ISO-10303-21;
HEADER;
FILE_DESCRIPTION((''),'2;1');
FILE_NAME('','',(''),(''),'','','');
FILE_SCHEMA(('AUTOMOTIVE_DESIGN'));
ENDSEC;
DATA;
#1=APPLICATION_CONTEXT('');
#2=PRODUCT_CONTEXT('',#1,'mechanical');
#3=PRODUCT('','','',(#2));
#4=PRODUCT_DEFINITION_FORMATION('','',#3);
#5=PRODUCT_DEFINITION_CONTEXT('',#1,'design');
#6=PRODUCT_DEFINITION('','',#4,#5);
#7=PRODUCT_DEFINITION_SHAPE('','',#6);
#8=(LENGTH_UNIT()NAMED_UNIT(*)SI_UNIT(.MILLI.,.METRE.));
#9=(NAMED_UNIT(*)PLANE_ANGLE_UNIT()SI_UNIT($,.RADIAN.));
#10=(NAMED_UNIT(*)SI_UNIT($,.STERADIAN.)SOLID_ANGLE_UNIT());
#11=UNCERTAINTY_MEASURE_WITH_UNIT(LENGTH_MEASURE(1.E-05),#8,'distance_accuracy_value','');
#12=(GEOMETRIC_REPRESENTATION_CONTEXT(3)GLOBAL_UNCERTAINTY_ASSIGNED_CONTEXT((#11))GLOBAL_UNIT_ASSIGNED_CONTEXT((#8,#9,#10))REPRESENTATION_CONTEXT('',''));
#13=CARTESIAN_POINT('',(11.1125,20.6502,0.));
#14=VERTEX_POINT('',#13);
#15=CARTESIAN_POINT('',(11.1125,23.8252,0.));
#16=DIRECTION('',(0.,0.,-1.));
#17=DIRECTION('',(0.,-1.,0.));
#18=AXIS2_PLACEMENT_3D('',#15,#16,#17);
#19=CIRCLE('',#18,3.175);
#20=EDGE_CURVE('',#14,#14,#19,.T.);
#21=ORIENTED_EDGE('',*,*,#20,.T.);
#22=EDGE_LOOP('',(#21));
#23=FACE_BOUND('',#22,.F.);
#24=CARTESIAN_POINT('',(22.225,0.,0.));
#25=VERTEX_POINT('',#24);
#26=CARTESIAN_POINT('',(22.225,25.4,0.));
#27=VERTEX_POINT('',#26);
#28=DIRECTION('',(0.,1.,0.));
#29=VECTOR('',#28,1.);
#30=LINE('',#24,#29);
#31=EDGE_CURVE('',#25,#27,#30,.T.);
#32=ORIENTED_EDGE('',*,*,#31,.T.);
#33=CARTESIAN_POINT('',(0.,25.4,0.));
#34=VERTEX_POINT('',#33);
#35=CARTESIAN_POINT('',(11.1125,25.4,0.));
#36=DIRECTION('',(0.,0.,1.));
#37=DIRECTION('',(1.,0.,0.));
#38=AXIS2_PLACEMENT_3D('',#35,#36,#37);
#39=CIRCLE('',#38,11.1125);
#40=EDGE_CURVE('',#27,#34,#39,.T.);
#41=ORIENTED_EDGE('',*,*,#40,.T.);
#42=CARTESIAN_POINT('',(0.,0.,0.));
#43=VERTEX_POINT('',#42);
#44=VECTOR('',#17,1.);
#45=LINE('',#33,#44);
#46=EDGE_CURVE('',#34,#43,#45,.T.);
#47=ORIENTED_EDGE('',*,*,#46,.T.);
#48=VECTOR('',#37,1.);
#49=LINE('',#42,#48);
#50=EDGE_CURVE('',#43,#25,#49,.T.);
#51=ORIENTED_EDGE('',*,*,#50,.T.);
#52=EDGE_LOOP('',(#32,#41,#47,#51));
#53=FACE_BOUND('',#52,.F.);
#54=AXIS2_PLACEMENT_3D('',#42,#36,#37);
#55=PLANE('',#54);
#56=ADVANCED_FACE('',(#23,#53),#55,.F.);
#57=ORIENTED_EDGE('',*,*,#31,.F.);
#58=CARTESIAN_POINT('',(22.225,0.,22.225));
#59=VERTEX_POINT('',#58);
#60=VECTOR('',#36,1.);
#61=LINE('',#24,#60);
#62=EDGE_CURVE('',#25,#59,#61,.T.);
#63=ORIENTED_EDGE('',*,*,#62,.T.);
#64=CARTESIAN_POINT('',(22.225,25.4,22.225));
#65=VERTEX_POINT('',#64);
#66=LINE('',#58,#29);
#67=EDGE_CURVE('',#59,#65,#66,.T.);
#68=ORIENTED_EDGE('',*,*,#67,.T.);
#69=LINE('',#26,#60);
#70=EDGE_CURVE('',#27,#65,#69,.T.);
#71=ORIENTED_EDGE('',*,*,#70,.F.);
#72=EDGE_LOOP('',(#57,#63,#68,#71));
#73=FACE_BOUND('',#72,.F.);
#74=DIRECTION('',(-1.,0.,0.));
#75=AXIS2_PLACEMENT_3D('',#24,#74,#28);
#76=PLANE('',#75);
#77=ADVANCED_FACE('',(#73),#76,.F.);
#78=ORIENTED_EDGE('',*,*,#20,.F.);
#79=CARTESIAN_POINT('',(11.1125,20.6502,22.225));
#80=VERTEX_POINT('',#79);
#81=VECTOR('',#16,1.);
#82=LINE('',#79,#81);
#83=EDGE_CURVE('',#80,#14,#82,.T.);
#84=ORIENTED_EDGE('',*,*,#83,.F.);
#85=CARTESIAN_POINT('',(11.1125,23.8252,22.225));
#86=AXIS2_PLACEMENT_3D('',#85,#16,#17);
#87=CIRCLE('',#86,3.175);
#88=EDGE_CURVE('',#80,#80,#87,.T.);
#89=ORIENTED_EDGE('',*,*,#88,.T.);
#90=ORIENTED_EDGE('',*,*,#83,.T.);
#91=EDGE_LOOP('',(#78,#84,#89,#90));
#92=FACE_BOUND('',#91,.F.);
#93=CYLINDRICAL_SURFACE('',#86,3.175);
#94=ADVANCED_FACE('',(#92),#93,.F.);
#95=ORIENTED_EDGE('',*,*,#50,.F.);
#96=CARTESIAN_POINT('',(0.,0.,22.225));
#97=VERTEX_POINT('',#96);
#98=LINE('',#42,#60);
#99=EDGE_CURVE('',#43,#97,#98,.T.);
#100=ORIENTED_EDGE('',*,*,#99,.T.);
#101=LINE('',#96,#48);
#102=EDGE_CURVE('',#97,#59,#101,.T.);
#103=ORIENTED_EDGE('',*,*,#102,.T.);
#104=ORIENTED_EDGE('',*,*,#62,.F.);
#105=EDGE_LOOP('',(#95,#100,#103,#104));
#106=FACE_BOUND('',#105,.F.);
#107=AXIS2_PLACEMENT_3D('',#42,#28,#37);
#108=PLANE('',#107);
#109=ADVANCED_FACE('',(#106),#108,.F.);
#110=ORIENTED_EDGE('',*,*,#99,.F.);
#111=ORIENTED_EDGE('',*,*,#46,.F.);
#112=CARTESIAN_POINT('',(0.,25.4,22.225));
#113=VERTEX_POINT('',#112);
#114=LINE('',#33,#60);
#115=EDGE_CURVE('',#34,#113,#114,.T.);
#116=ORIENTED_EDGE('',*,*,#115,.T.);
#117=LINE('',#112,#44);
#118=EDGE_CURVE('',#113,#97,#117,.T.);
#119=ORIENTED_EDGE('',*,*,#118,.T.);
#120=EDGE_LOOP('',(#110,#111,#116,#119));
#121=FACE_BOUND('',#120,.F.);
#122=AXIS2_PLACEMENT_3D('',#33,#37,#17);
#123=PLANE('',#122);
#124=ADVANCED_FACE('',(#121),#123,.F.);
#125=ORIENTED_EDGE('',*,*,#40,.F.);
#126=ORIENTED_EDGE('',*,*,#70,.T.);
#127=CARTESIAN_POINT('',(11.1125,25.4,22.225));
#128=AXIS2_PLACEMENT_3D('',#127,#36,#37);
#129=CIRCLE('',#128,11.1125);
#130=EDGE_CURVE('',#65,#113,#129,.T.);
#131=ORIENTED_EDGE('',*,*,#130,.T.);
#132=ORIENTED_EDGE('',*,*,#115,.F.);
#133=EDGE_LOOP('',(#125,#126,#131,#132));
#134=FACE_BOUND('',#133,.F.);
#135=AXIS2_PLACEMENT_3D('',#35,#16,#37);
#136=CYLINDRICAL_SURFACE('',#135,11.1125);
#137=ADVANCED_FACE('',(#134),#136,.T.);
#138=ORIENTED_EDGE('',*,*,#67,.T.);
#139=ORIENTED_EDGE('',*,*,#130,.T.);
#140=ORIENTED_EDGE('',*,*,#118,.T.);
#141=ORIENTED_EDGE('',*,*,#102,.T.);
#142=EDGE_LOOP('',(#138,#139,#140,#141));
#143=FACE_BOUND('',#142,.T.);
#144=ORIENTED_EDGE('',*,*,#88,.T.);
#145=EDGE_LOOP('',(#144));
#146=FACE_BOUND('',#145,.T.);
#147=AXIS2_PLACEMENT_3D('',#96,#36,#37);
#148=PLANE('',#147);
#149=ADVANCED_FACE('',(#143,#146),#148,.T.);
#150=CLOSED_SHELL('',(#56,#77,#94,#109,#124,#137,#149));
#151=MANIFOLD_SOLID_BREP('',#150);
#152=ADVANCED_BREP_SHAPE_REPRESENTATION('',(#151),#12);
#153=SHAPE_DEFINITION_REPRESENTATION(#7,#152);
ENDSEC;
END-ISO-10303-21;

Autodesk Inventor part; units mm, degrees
ref_plane "YZ Plane" through (0, 0, 0) normal (1, 0, 0) x (0, 1, 0)
ref_plane "XZ Plane" through (0, 0, 0) normal (0, 1, 0) x (-1, 0, 0)
ref_plane "XY Plane" through (0, 0, 0) normal (0, 0, 1) x (1, 0, 0)
sketch "Sketch1" plane through (0, 0, 0) normal (0, 0, 1) x (1, 0, 0)
  line L0 (0, 0) -> (22.225, 0)
  line L1 (22.225, 0) -> (22.225, 25.4)
  line L2 (22.225, 25.4) -> (0, 25.4)
  line L3 (0, 25.4) -> (0, 0)
  arc A0 (22.225, 25.4) -> (0, 25.4) centre (11.1125, 25.4) ccw
  dimension "d0" = 25.4
  dimension "d1" = 22.225
  dimension "d4" = 11.1125
extrude "Extrusion2" add sketch "Sketch1" along normal blind 22.225
sketch "Sketch2" plane through (0, 0, 22.225) normal (0, 0, 1) x (1, 0, 0)
  line L0 (0, 0) -> (22.225, 0) projected
  line L1 (22.225, 0) -> (22.225, 25.4) projected
  point P0 (11.1125, 23.8252)
  dimension "d7" = 23.8252
  dimension "d8" = 11.1125
hole "Hole1" at (11.1125, 23.8252, 22.225) direction (0, 0, -1) diameter 6.35 end through all
properties part number "CLB_053_ScissorTopBarPlug" material "Nylon 6/6"
